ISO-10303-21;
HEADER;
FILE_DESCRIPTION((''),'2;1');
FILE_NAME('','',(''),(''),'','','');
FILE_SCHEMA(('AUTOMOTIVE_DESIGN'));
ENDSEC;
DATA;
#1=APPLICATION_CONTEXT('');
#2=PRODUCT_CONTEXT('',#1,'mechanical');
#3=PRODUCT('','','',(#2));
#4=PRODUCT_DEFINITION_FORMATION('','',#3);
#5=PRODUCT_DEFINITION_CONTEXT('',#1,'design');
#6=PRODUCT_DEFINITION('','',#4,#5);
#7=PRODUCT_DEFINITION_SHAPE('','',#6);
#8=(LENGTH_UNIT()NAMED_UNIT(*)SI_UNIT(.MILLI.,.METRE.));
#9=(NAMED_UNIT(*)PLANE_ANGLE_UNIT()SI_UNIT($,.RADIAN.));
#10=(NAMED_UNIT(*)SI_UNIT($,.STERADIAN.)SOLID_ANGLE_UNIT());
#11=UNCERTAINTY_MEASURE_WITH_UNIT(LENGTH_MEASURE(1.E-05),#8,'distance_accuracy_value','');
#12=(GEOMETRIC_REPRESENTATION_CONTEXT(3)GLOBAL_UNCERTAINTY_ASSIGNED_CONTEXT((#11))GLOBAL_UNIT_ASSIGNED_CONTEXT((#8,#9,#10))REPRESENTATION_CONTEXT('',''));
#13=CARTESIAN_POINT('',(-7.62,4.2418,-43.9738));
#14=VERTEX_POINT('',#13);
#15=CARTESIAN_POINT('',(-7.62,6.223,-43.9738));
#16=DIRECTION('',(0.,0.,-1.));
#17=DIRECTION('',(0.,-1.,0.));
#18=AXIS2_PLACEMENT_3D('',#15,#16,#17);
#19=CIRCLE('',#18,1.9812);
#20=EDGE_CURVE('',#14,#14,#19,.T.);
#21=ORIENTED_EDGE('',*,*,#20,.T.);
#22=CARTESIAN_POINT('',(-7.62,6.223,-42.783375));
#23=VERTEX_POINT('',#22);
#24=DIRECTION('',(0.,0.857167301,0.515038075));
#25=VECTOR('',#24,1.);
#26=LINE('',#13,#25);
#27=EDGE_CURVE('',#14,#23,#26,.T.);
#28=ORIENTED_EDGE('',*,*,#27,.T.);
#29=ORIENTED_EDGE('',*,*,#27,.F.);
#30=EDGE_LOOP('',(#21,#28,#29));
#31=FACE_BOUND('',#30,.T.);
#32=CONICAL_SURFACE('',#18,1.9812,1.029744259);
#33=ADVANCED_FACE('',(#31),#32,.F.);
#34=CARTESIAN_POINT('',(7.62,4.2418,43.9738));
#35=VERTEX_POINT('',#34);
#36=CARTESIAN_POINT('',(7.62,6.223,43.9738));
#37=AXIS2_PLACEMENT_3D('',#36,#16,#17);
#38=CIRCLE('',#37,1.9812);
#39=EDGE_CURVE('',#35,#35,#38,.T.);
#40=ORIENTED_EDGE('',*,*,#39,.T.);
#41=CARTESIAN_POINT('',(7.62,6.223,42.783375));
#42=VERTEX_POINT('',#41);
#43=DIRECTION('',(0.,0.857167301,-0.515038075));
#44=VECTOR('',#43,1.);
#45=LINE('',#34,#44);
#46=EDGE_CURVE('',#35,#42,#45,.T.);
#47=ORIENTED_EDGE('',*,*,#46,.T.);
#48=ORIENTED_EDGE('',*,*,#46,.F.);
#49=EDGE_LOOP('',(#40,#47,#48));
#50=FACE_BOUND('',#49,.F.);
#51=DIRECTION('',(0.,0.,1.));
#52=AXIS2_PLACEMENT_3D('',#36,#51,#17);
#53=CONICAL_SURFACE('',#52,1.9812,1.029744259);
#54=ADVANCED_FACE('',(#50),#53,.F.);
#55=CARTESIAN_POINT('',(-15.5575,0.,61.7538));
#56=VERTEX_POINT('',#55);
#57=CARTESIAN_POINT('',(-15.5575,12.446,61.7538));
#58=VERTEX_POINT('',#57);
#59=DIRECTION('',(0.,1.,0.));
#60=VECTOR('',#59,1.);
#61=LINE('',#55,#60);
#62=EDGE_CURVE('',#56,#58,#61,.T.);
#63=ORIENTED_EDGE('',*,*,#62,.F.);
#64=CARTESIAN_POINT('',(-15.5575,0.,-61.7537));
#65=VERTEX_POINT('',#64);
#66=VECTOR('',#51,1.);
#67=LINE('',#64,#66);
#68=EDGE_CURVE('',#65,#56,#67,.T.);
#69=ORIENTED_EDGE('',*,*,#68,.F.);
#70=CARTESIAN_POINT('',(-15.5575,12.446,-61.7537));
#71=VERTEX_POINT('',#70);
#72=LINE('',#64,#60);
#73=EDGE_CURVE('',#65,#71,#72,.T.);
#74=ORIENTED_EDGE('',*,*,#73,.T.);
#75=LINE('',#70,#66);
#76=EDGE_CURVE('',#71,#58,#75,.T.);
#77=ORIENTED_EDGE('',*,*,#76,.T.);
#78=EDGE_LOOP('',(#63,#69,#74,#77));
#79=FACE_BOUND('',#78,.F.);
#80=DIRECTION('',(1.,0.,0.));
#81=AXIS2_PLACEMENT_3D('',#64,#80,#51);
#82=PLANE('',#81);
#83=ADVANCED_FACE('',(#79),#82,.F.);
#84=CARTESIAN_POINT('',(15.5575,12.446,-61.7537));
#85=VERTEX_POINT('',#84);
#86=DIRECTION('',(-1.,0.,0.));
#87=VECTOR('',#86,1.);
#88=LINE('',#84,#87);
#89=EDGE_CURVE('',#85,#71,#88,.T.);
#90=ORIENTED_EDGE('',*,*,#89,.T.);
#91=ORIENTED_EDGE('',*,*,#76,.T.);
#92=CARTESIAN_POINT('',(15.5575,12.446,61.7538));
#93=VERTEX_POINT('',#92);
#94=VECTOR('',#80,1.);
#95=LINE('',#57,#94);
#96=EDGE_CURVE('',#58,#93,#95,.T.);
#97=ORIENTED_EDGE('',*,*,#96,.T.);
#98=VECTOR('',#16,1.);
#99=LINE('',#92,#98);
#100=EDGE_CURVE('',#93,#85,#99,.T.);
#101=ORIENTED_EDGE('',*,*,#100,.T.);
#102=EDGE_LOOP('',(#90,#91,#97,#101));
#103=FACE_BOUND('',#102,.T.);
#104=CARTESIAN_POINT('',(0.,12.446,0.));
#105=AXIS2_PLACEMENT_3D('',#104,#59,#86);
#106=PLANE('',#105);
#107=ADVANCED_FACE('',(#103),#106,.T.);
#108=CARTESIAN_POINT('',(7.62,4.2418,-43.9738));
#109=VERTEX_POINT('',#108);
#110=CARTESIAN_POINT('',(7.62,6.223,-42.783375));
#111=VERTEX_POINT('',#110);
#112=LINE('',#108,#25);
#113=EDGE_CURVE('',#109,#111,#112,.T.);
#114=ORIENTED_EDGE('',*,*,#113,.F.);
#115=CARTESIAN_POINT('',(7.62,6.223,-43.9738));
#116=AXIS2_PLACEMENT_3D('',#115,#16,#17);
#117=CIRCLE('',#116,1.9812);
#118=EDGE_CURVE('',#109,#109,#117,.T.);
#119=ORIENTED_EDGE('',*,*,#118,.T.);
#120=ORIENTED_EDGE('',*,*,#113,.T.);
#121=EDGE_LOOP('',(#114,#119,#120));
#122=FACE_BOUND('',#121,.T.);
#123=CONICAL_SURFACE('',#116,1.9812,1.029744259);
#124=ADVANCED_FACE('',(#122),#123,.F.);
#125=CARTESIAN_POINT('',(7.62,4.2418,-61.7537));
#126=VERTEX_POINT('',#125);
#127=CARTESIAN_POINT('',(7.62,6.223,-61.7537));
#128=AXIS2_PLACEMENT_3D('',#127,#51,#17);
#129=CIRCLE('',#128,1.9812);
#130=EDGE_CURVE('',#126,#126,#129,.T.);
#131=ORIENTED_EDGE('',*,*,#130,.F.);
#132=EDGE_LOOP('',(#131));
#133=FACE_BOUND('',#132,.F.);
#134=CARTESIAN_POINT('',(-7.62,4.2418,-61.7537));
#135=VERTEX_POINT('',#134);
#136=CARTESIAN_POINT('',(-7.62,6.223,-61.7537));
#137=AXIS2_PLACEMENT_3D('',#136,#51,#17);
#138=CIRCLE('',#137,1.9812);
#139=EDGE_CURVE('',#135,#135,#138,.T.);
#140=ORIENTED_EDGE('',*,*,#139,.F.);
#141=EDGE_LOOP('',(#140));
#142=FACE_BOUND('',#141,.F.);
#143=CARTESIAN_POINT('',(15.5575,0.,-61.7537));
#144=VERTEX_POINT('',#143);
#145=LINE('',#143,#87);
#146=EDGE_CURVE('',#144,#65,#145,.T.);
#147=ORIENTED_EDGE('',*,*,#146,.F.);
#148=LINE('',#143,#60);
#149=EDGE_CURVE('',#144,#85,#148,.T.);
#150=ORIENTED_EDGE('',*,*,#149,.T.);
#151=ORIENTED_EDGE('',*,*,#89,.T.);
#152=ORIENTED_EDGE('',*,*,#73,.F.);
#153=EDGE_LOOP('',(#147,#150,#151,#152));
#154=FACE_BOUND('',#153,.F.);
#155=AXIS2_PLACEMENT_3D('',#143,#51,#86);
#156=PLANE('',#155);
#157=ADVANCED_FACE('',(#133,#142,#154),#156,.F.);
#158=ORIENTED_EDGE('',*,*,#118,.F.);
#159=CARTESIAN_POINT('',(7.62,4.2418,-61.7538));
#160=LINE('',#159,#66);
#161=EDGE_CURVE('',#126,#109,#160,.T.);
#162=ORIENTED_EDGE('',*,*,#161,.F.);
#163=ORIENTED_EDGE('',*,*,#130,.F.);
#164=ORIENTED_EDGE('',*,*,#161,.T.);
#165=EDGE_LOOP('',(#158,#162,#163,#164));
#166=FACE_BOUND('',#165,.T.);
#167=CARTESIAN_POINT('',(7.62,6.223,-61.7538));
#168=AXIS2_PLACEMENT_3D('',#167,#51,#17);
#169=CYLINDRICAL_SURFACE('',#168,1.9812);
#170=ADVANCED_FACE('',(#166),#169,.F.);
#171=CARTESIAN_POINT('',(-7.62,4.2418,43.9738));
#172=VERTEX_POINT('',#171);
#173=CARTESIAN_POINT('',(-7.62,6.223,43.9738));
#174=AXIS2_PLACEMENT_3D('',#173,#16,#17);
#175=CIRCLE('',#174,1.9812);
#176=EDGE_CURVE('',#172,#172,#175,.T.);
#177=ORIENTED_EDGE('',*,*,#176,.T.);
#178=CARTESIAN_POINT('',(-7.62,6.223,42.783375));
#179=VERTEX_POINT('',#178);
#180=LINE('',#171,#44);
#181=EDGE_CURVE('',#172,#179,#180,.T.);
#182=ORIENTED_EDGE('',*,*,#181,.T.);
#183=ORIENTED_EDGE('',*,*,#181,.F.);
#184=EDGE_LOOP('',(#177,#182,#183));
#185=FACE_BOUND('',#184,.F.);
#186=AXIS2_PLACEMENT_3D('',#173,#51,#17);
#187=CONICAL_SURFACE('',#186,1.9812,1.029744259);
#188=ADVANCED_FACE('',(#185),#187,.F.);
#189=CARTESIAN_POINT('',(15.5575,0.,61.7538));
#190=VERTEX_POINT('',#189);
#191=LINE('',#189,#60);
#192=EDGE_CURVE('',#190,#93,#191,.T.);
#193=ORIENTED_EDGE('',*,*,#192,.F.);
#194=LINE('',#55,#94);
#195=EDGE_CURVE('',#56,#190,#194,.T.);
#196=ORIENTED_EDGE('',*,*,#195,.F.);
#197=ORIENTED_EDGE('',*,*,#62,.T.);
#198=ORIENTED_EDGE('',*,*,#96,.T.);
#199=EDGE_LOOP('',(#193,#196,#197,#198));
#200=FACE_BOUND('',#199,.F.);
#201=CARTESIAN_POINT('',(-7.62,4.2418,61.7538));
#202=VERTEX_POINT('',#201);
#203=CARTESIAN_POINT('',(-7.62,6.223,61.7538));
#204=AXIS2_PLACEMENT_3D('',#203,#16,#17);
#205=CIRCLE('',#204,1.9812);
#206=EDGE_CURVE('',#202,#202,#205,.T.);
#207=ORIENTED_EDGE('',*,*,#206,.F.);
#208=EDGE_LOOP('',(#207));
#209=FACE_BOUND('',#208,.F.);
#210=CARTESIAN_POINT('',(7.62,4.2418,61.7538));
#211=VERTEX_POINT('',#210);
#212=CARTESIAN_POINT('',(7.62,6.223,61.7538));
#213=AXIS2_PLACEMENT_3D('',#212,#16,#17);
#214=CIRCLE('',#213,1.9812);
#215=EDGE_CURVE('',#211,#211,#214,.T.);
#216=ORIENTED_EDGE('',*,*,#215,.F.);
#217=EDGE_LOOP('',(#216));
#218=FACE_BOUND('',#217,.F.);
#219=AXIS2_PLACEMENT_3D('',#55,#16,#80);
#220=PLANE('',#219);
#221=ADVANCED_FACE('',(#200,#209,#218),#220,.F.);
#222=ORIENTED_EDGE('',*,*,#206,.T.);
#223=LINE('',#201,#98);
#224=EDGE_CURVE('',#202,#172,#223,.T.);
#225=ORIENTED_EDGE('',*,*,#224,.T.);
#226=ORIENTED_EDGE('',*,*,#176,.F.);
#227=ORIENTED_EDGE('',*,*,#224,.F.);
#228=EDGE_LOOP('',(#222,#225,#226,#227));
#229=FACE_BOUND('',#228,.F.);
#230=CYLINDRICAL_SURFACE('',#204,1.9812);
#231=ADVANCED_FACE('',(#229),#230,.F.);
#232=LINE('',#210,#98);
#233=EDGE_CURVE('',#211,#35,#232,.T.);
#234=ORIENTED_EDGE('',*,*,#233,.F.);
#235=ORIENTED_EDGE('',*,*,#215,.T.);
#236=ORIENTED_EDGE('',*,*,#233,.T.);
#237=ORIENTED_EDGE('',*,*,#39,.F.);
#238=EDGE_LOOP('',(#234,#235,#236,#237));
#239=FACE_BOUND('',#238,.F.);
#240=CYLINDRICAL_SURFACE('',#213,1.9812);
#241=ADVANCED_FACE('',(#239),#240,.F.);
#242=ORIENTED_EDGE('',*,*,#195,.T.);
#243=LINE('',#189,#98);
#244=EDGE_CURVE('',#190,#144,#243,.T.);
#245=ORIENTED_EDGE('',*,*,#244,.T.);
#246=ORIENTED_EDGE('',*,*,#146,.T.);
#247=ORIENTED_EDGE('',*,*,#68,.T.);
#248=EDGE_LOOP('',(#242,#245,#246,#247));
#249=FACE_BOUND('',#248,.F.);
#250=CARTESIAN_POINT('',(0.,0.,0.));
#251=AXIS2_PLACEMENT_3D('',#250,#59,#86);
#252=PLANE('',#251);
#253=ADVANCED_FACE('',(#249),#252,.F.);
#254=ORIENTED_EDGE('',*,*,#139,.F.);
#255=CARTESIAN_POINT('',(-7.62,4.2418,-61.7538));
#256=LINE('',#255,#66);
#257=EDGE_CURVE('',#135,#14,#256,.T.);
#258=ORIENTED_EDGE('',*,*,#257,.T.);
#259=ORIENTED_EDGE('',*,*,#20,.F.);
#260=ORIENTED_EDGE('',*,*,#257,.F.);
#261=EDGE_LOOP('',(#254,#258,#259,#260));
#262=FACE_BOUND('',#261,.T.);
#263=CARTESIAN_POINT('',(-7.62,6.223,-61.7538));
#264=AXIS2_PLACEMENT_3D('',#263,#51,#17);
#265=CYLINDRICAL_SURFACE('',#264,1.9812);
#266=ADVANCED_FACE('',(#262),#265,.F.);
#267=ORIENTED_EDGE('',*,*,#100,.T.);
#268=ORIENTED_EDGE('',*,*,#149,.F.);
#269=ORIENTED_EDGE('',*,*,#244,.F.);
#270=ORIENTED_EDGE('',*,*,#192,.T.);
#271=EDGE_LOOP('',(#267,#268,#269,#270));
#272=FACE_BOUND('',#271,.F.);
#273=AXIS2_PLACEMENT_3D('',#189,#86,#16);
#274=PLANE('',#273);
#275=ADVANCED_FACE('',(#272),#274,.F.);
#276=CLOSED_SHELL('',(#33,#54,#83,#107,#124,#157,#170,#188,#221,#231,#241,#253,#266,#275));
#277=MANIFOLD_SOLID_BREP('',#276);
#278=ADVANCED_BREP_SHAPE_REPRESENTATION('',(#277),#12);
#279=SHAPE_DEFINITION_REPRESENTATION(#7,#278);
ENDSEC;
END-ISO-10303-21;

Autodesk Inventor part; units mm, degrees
ref_plane "YZ Plane" through (0, 0, 0) normal (1, 0, 0) x (0, 1, 0)
ref_plane "XZ Plane" through (0, 0, 0) normal (0, 1, 0) x (-1, 0, 0)
sketch "Sketch1" plane through (0, 0, 0) normal (0, 1, 0) x (-1, 0, 0)
  line L0 (-15.5575, -61.7537) -> (15.5575, -61.7537)
  line L1 (15.5575, -61.7537) -> (15.5575, 61.7538)
  line L2 (15.5575, 61.7538) -> (-15.5575, 61.7538)
  line L3 (-15.5575, 61.7538) -> (-15.5575, -61.7537)
  line L4 (-15.5575, -61.7537) -> (15.5575, 61.7538) construction
  line L5 (15.5575, -61.7537) -> (-15.5575, 61.7538) construction
  point P0 (0, 0)
  dimension "d0" = 123.5075
  dimension "d1" = 31.115
extrude "Extrusion1" add sketch "Sketch1" along normal blind 12.446
sketch "Sketch2" plane through (-15.5575, 0, 61.7538) normal (0, 0, 1) x (1, 0, 0)
  line L0 (15.5575, 17.8749) -> (15.5575, -12.6883)
  line L1 (35.533, 6.223) -> (0.122, 6.223)
  line L2 (0, 0) -> (31.115, 0) projected
  line L3 (31.115, 0) -> (31.115, 12.446) projected
  point P0 (15.5575, 0)
  point P1 (15.5575, 0)
  point P2 (15.5575, 0)
  point P3 (31.115, 6.223)
  point P4 (7.9375, 6.223)
  point P5 (23.1775, 6.223)
  dimension "d4" = 15.24
hole "Hole1" at (-7.62, 6.223, 61.7538) at (7.62, 6.223, 61.7538) direction (0, 0, -1) diameter 3.9624 depth 17.78 tip angle 118 thread size "10-32 UNF" class "2B" standard "ANSI Unified Screw Threads"
ref_plane "Work Plane2" through (15.5575, 0, 0) normal (0, 0, -1) x (-1, 0, 0)
mirror "Mirror1" about plane through (15.5575, 0, 0) normal (0, 0, -1) of "Hole1"
properties part number "Fixture_Base_Support-02"
